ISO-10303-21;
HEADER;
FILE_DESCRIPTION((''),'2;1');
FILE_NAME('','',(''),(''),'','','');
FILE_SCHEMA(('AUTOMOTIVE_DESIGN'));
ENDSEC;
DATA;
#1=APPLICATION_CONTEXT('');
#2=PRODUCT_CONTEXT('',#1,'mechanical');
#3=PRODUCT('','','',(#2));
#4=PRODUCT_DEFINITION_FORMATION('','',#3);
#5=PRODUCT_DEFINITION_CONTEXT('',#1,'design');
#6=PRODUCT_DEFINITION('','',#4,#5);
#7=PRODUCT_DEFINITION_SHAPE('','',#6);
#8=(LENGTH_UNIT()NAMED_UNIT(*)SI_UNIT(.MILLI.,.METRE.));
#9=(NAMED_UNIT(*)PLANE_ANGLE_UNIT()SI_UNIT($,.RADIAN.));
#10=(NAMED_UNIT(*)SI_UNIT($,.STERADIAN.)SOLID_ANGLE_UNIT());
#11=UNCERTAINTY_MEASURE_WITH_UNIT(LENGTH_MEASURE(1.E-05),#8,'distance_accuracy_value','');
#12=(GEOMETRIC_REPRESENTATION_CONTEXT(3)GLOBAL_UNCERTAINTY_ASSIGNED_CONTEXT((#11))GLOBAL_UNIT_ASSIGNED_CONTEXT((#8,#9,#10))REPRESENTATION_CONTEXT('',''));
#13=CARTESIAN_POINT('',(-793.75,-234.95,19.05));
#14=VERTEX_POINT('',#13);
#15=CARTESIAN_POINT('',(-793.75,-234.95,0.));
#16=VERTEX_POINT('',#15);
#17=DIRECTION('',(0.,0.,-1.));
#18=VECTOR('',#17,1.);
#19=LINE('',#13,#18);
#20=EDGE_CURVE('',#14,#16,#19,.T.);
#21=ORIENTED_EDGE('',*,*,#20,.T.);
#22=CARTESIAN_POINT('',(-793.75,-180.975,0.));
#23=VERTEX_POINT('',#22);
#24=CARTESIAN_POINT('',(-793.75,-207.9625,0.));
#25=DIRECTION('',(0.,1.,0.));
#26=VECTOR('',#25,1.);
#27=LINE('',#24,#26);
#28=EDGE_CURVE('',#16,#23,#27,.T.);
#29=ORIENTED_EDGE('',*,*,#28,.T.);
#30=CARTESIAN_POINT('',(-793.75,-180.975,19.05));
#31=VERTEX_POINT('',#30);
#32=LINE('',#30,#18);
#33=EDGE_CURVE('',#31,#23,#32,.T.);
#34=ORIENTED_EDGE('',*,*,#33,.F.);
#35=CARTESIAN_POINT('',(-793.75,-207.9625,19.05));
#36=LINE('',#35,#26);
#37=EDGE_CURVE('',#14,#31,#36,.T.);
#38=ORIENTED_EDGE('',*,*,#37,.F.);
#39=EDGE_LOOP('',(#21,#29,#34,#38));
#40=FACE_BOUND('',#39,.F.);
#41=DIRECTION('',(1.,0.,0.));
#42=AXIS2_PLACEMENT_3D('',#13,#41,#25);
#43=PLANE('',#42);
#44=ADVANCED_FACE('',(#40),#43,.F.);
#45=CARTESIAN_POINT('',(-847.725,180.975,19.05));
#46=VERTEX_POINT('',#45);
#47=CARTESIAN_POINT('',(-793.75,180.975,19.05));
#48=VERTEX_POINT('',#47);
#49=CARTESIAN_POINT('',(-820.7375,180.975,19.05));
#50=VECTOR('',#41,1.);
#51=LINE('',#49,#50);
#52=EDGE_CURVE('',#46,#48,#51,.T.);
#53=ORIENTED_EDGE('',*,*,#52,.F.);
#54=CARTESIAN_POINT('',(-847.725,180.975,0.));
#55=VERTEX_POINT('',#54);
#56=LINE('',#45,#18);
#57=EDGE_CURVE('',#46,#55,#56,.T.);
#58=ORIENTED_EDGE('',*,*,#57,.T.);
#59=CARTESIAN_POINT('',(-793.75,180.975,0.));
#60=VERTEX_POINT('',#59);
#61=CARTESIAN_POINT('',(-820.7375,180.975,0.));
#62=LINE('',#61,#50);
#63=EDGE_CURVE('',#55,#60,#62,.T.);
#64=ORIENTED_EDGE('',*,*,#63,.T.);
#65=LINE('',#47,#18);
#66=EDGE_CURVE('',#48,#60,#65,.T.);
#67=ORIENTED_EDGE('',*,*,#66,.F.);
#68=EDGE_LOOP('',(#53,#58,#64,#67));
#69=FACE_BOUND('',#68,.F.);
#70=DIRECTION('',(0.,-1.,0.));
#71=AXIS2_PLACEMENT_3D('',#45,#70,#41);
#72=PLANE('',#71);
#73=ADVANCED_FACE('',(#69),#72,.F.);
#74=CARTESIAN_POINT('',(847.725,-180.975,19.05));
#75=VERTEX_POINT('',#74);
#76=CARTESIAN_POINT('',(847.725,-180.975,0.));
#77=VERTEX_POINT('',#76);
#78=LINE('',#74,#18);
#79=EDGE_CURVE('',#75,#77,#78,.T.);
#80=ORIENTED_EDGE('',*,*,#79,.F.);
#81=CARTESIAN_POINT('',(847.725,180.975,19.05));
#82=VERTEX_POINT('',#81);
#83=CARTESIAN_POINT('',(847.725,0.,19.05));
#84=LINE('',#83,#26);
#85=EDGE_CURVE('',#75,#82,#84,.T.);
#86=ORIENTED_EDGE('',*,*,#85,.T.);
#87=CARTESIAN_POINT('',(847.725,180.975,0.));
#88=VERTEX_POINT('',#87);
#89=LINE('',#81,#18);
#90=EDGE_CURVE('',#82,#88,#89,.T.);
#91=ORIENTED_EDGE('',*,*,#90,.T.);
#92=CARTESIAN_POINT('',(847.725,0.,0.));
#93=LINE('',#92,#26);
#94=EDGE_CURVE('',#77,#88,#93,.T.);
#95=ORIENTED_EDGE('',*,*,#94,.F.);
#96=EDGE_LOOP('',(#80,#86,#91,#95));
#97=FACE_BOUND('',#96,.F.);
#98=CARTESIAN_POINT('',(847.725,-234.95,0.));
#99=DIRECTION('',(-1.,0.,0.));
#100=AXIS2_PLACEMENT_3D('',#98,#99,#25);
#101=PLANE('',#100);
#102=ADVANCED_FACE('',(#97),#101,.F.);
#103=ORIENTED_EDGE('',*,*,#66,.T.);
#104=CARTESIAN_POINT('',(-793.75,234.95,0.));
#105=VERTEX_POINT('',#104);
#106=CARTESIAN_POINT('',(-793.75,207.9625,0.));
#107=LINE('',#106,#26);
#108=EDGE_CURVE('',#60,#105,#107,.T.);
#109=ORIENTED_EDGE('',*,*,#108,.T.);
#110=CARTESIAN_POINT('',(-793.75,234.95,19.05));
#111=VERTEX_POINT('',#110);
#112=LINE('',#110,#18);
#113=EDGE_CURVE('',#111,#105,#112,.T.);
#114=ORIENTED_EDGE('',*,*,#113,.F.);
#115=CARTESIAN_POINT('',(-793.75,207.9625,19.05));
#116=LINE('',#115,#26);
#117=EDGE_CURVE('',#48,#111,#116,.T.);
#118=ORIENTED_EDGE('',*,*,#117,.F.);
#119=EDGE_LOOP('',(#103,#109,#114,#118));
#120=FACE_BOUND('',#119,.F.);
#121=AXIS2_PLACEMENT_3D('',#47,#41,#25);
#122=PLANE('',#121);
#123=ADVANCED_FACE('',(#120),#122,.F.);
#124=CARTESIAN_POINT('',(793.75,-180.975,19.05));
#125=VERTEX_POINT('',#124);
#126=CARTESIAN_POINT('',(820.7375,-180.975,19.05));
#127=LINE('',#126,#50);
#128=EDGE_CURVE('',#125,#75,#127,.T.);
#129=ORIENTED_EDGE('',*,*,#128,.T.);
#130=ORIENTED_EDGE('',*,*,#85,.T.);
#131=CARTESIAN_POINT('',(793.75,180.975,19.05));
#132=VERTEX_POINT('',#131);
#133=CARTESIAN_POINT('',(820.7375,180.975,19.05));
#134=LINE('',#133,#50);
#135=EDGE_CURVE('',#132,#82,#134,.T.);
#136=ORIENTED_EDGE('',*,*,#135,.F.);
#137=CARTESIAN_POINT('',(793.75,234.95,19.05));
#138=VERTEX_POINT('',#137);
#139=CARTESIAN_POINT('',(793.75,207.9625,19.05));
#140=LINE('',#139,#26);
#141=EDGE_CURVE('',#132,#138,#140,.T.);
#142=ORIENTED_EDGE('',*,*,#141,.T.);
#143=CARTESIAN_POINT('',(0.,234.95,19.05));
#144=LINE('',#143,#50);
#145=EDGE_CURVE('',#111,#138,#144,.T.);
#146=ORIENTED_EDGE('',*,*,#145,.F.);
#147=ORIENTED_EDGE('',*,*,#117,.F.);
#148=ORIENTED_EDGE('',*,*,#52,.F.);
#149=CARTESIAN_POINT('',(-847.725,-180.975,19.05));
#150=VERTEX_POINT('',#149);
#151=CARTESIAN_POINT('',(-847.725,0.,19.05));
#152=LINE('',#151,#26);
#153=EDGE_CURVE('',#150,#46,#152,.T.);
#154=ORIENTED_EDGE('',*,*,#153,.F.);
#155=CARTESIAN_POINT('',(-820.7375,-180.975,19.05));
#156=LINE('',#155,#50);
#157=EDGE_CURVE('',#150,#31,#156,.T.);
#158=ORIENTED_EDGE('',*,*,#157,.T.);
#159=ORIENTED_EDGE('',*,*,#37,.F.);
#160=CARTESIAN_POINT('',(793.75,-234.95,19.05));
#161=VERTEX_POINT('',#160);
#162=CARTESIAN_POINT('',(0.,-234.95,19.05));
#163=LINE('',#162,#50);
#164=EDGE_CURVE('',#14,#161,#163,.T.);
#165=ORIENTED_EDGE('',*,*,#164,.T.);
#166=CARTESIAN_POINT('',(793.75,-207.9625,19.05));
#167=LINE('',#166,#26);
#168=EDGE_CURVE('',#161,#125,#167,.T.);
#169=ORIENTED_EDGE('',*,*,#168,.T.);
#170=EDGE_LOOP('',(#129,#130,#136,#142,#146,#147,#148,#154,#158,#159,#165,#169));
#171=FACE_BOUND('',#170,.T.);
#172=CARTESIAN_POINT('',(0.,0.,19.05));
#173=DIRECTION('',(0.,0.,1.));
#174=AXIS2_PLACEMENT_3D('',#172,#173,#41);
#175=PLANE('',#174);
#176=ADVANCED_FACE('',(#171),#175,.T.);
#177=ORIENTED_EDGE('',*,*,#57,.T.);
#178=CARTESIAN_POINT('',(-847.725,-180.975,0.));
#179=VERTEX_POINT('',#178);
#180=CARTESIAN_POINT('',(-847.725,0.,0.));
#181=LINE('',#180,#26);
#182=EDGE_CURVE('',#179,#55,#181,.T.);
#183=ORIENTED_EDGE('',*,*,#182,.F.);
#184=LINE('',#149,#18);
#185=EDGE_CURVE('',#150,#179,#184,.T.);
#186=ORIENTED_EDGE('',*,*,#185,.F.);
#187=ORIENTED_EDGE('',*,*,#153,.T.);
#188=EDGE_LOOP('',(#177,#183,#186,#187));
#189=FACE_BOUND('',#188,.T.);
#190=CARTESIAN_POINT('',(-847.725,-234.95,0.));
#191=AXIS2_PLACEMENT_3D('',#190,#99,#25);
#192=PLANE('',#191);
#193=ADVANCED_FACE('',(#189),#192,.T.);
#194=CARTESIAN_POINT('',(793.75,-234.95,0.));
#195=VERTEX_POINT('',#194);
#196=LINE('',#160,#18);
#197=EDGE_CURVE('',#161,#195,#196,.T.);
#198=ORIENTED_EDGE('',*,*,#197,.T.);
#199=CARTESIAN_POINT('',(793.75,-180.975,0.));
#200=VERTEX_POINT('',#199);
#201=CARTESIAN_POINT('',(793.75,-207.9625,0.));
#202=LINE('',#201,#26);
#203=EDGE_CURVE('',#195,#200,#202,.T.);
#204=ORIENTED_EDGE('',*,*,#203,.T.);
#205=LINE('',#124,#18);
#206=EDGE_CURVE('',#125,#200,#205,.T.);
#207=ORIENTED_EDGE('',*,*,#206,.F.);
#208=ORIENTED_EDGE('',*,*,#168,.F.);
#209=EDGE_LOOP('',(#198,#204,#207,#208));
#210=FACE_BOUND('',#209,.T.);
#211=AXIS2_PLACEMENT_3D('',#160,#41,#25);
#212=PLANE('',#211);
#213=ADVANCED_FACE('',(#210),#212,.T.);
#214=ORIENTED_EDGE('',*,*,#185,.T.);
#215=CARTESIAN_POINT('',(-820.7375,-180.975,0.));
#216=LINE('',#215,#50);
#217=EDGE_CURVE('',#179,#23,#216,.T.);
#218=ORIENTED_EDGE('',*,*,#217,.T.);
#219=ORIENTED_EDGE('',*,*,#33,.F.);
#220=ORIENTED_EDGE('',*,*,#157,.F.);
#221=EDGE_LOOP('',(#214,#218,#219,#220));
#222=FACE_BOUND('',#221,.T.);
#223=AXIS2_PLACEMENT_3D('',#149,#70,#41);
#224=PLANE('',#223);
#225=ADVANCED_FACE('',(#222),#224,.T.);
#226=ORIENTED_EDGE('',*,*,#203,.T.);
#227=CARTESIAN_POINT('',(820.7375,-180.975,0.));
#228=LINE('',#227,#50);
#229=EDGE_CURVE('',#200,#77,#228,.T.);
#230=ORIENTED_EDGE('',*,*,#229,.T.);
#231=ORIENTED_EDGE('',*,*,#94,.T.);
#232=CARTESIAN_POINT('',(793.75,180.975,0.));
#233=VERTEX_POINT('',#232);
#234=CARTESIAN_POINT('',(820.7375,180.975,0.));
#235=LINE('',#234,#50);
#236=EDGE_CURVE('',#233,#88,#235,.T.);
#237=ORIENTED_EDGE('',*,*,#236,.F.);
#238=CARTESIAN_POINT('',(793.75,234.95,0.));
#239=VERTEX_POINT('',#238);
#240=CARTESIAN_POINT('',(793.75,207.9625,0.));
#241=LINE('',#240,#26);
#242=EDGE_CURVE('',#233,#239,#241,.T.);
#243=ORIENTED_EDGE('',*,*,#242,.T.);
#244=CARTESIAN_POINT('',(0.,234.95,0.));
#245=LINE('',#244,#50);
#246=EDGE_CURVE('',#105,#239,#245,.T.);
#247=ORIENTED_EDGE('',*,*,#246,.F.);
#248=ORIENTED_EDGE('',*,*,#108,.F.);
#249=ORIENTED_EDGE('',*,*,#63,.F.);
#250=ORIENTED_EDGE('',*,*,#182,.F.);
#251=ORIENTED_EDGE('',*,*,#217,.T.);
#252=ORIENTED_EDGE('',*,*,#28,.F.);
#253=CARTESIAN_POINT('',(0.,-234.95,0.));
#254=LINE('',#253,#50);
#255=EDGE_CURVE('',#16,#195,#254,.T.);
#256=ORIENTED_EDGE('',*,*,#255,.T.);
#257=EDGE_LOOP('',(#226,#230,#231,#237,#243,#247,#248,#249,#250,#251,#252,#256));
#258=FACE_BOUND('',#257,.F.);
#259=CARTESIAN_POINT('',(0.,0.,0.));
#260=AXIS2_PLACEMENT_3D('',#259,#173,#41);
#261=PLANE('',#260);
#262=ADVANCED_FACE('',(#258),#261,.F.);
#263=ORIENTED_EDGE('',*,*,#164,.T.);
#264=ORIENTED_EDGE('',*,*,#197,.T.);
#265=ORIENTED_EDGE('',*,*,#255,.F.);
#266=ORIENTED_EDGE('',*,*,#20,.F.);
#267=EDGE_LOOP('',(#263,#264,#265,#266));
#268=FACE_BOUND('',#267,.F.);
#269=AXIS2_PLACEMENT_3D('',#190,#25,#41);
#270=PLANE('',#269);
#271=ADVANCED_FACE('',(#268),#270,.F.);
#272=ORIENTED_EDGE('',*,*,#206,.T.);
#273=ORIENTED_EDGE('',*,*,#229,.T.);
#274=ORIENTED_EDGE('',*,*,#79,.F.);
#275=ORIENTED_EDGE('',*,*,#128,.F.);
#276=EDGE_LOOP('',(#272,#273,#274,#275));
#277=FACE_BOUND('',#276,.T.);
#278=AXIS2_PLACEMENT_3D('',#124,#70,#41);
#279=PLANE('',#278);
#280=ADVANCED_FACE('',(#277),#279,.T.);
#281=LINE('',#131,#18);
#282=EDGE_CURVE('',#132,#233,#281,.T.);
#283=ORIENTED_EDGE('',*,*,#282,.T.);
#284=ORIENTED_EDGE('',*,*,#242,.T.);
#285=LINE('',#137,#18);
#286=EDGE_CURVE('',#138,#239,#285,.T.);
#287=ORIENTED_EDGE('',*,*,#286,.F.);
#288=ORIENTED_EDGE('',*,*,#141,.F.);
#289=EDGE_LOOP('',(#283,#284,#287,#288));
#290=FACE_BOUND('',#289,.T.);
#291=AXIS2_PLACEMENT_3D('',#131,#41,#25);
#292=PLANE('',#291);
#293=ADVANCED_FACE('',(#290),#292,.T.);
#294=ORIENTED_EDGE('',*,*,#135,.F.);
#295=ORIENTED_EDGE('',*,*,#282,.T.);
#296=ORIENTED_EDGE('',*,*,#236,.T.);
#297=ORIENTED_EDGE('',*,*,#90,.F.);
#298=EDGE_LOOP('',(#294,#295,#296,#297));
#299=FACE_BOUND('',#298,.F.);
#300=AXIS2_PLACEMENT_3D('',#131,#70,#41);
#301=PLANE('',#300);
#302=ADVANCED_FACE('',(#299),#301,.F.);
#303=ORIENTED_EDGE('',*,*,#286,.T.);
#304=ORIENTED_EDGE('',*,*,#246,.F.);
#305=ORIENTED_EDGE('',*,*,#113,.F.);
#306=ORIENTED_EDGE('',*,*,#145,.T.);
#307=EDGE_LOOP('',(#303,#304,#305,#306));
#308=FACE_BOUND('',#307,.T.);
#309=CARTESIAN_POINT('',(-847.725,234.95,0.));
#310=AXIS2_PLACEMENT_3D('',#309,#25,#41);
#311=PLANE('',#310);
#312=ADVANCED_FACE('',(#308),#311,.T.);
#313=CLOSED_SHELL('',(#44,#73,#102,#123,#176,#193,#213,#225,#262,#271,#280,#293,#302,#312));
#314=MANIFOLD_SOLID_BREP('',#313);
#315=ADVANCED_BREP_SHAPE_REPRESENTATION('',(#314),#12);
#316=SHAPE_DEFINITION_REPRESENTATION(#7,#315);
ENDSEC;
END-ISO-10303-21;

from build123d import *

# Parameters (mm, degrees)
F0_W     = 1695.45
F0_H     = 469.9
F1_DEPTH = 19.05
F2_W     = 53.975
F2_H     = 53.975
F3_DEPTH = 19.05


with BuildPart() as f1:
    # F0 (on Top) → F1 (new body)
    with BuildSketch(Plane.XY):
        Rectangle(F0_W, F0_H)
    extrude(amount=F1_DEPTH)

    # F2 (on face) → F3 (cut, through all)
    with BuildSketch(Plane.XY.offset(19.05)):
        with Locations((-820.7375, 207.9625)):
            Rectangle(F2_W, F2_H)
        with Locations((-820.7375, -207.9625)):
            Rectangle(F2_W, F2_H)
        with Locations((820.7375, 207.9625)):
            Rectangle(F2_W, F2_H)
        with Locations((820.7375, -207.9625)):
            Rectangle(F2_W, F2_H)
    extrude(amount=-F3_DEPTH, mode=Mode.SUBTRACT)


solid = f1.part
